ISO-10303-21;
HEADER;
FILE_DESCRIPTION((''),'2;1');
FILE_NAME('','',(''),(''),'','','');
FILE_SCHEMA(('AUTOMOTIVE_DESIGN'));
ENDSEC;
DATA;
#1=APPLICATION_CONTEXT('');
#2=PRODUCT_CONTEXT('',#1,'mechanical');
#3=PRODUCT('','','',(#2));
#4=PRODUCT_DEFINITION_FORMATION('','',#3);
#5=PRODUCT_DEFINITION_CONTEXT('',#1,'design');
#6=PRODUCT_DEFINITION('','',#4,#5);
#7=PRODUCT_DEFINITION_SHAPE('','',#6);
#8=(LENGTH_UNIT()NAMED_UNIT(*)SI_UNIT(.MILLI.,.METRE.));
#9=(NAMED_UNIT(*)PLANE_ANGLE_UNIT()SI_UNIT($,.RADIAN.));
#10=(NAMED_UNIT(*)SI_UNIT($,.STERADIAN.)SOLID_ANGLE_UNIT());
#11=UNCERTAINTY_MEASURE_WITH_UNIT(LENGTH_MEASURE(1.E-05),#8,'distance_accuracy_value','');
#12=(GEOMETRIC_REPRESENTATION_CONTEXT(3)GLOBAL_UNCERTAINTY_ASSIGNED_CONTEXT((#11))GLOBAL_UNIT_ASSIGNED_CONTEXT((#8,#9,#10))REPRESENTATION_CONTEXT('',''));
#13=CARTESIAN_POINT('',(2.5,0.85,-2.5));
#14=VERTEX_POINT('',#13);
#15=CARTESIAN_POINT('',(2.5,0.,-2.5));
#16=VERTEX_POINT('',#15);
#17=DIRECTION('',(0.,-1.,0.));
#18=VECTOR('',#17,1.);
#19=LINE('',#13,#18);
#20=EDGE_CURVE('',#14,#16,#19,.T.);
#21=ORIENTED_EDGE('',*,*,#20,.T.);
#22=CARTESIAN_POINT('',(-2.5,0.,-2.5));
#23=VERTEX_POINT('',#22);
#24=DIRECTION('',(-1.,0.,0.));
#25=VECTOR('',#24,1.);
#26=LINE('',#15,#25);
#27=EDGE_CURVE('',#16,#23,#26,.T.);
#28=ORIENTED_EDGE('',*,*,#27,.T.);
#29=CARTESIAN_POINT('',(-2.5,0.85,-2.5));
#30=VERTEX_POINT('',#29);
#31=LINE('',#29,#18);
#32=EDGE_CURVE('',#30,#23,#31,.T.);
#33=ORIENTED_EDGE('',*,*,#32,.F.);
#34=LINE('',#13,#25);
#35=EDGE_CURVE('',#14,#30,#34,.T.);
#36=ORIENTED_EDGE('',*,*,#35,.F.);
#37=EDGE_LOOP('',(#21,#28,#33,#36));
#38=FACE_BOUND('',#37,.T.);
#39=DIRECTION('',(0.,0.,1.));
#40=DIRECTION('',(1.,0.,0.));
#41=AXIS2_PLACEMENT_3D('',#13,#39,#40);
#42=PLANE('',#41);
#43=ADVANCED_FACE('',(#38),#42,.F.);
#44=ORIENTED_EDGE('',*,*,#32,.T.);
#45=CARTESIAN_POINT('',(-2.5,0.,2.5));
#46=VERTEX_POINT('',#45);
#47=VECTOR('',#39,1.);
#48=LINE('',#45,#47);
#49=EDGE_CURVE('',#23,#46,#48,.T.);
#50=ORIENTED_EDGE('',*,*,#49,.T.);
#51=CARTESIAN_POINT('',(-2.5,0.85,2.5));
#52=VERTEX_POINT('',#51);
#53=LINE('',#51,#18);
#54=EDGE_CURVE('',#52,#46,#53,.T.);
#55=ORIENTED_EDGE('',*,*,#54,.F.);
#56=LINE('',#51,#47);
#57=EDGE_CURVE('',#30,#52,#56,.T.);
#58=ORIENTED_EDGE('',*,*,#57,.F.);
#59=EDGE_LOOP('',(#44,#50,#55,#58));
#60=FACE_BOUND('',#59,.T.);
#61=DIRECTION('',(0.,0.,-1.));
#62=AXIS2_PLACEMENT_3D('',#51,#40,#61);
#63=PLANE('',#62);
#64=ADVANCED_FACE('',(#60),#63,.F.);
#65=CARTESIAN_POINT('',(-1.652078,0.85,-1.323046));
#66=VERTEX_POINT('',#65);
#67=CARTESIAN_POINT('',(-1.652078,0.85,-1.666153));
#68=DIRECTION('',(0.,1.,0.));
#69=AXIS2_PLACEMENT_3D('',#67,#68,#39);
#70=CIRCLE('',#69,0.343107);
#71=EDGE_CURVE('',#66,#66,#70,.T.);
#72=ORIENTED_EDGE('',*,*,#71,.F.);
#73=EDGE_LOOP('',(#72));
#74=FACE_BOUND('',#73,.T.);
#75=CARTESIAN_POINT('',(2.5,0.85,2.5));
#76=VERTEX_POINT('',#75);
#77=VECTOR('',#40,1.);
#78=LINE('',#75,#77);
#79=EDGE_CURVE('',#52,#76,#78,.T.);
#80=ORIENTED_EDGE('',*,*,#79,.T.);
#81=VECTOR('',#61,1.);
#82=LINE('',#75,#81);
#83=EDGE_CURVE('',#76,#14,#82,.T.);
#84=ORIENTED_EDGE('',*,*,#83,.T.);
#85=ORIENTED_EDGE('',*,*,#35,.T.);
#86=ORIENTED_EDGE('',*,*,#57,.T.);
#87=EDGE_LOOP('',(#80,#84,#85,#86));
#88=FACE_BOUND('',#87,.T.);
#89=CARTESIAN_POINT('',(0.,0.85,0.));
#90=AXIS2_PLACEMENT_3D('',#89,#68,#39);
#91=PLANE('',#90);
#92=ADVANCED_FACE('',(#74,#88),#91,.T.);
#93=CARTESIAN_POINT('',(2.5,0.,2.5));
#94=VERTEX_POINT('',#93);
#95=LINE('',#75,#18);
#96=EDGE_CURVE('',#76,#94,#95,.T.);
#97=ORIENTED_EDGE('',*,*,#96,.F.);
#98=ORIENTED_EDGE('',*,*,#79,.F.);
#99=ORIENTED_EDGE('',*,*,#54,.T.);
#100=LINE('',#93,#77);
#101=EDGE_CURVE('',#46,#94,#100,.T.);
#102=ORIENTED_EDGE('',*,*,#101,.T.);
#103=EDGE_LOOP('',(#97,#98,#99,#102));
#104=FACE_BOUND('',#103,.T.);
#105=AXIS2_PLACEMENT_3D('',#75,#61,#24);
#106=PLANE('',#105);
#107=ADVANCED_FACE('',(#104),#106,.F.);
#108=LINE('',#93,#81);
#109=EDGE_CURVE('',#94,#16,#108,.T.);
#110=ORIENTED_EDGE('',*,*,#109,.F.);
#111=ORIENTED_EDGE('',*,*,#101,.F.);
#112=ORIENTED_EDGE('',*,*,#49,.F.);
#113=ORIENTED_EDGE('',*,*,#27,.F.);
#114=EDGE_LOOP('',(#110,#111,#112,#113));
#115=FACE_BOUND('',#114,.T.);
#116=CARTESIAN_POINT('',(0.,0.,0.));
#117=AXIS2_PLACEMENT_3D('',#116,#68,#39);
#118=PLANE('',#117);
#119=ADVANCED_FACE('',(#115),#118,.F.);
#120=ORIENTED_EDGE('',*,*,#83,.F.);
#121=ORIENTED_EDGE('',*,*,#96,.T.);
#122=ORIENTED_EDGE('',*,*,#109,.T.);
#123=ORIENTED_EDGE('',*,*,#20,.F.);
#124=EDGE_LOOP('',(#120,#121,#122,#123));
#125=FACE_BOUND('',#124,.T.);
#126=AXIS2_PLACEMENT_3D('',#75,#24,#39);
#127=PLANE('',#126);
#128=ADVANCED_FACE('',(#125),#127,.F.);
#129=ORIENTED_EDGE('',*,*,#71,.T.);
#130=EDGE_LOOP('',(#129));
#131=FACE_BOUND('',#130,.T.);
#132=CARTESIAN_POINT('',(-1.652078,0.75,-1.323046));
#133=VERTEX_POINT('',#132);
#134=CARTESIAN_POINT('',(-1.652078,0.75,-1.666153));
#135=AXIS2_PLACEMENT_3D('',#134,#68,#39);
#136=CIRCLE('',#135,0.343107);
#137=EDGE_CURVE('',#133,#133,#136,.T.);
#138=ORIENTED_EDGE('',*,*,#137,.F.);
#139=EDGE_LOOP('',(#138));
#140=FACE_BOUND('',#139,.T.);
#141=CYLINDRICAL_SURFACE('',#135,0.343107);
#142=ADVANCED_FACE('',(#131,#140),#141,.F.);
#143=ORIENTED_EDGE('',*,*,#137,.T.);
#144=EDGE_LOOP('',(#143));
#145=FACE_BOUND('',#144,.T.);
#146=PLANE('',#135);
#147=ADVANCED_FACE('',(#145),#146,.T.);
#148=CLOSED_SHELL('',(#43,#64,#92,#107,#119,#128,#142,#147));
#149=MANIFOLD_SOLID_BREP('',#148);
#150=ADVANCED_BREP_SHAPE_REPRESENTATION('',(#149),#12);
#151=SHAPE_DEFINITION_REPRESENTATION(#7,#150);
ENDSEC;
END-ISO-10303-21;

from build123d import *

# Parameters (mm, degrees)
SKETCH1_W           = 5
SKETCH1_H           = 5
BOSS_EXTRUDE1_DEPTH = 0.85
SKETCH2_R           = 0.343107099
CUT_EXTRUDE1_DEPTH  = 0.1


with BuildPart() as part:
    # Sketch1 → Boss-Extrude1 (new body)
    with BuildSketch(Plane(origin=(0, 0, 0), x_dir=(1, 0, 0), z_dir=(0, 1, 0))):
        Rectangle(SKETCH1_W, SKETCH1_H)
    extrude(amount=BOSS_EXTRUDE1_DEPTH)

    # Sketch2 → Cut-Extrude1 (cut)
    with BuildSketch(Plane(origin=(0, 0.85, 0), x_dir=(1, 0, 0), z_dir=(0, 1, 0))):
        with Locations((-1.652078086, 1.666152715)):
            Circle(SKETCH2_R)
    extrude(amount=-CUT_EXTRUDE1_DEPTH, mode=Mode.SUBTRACT)


solid = part.part
